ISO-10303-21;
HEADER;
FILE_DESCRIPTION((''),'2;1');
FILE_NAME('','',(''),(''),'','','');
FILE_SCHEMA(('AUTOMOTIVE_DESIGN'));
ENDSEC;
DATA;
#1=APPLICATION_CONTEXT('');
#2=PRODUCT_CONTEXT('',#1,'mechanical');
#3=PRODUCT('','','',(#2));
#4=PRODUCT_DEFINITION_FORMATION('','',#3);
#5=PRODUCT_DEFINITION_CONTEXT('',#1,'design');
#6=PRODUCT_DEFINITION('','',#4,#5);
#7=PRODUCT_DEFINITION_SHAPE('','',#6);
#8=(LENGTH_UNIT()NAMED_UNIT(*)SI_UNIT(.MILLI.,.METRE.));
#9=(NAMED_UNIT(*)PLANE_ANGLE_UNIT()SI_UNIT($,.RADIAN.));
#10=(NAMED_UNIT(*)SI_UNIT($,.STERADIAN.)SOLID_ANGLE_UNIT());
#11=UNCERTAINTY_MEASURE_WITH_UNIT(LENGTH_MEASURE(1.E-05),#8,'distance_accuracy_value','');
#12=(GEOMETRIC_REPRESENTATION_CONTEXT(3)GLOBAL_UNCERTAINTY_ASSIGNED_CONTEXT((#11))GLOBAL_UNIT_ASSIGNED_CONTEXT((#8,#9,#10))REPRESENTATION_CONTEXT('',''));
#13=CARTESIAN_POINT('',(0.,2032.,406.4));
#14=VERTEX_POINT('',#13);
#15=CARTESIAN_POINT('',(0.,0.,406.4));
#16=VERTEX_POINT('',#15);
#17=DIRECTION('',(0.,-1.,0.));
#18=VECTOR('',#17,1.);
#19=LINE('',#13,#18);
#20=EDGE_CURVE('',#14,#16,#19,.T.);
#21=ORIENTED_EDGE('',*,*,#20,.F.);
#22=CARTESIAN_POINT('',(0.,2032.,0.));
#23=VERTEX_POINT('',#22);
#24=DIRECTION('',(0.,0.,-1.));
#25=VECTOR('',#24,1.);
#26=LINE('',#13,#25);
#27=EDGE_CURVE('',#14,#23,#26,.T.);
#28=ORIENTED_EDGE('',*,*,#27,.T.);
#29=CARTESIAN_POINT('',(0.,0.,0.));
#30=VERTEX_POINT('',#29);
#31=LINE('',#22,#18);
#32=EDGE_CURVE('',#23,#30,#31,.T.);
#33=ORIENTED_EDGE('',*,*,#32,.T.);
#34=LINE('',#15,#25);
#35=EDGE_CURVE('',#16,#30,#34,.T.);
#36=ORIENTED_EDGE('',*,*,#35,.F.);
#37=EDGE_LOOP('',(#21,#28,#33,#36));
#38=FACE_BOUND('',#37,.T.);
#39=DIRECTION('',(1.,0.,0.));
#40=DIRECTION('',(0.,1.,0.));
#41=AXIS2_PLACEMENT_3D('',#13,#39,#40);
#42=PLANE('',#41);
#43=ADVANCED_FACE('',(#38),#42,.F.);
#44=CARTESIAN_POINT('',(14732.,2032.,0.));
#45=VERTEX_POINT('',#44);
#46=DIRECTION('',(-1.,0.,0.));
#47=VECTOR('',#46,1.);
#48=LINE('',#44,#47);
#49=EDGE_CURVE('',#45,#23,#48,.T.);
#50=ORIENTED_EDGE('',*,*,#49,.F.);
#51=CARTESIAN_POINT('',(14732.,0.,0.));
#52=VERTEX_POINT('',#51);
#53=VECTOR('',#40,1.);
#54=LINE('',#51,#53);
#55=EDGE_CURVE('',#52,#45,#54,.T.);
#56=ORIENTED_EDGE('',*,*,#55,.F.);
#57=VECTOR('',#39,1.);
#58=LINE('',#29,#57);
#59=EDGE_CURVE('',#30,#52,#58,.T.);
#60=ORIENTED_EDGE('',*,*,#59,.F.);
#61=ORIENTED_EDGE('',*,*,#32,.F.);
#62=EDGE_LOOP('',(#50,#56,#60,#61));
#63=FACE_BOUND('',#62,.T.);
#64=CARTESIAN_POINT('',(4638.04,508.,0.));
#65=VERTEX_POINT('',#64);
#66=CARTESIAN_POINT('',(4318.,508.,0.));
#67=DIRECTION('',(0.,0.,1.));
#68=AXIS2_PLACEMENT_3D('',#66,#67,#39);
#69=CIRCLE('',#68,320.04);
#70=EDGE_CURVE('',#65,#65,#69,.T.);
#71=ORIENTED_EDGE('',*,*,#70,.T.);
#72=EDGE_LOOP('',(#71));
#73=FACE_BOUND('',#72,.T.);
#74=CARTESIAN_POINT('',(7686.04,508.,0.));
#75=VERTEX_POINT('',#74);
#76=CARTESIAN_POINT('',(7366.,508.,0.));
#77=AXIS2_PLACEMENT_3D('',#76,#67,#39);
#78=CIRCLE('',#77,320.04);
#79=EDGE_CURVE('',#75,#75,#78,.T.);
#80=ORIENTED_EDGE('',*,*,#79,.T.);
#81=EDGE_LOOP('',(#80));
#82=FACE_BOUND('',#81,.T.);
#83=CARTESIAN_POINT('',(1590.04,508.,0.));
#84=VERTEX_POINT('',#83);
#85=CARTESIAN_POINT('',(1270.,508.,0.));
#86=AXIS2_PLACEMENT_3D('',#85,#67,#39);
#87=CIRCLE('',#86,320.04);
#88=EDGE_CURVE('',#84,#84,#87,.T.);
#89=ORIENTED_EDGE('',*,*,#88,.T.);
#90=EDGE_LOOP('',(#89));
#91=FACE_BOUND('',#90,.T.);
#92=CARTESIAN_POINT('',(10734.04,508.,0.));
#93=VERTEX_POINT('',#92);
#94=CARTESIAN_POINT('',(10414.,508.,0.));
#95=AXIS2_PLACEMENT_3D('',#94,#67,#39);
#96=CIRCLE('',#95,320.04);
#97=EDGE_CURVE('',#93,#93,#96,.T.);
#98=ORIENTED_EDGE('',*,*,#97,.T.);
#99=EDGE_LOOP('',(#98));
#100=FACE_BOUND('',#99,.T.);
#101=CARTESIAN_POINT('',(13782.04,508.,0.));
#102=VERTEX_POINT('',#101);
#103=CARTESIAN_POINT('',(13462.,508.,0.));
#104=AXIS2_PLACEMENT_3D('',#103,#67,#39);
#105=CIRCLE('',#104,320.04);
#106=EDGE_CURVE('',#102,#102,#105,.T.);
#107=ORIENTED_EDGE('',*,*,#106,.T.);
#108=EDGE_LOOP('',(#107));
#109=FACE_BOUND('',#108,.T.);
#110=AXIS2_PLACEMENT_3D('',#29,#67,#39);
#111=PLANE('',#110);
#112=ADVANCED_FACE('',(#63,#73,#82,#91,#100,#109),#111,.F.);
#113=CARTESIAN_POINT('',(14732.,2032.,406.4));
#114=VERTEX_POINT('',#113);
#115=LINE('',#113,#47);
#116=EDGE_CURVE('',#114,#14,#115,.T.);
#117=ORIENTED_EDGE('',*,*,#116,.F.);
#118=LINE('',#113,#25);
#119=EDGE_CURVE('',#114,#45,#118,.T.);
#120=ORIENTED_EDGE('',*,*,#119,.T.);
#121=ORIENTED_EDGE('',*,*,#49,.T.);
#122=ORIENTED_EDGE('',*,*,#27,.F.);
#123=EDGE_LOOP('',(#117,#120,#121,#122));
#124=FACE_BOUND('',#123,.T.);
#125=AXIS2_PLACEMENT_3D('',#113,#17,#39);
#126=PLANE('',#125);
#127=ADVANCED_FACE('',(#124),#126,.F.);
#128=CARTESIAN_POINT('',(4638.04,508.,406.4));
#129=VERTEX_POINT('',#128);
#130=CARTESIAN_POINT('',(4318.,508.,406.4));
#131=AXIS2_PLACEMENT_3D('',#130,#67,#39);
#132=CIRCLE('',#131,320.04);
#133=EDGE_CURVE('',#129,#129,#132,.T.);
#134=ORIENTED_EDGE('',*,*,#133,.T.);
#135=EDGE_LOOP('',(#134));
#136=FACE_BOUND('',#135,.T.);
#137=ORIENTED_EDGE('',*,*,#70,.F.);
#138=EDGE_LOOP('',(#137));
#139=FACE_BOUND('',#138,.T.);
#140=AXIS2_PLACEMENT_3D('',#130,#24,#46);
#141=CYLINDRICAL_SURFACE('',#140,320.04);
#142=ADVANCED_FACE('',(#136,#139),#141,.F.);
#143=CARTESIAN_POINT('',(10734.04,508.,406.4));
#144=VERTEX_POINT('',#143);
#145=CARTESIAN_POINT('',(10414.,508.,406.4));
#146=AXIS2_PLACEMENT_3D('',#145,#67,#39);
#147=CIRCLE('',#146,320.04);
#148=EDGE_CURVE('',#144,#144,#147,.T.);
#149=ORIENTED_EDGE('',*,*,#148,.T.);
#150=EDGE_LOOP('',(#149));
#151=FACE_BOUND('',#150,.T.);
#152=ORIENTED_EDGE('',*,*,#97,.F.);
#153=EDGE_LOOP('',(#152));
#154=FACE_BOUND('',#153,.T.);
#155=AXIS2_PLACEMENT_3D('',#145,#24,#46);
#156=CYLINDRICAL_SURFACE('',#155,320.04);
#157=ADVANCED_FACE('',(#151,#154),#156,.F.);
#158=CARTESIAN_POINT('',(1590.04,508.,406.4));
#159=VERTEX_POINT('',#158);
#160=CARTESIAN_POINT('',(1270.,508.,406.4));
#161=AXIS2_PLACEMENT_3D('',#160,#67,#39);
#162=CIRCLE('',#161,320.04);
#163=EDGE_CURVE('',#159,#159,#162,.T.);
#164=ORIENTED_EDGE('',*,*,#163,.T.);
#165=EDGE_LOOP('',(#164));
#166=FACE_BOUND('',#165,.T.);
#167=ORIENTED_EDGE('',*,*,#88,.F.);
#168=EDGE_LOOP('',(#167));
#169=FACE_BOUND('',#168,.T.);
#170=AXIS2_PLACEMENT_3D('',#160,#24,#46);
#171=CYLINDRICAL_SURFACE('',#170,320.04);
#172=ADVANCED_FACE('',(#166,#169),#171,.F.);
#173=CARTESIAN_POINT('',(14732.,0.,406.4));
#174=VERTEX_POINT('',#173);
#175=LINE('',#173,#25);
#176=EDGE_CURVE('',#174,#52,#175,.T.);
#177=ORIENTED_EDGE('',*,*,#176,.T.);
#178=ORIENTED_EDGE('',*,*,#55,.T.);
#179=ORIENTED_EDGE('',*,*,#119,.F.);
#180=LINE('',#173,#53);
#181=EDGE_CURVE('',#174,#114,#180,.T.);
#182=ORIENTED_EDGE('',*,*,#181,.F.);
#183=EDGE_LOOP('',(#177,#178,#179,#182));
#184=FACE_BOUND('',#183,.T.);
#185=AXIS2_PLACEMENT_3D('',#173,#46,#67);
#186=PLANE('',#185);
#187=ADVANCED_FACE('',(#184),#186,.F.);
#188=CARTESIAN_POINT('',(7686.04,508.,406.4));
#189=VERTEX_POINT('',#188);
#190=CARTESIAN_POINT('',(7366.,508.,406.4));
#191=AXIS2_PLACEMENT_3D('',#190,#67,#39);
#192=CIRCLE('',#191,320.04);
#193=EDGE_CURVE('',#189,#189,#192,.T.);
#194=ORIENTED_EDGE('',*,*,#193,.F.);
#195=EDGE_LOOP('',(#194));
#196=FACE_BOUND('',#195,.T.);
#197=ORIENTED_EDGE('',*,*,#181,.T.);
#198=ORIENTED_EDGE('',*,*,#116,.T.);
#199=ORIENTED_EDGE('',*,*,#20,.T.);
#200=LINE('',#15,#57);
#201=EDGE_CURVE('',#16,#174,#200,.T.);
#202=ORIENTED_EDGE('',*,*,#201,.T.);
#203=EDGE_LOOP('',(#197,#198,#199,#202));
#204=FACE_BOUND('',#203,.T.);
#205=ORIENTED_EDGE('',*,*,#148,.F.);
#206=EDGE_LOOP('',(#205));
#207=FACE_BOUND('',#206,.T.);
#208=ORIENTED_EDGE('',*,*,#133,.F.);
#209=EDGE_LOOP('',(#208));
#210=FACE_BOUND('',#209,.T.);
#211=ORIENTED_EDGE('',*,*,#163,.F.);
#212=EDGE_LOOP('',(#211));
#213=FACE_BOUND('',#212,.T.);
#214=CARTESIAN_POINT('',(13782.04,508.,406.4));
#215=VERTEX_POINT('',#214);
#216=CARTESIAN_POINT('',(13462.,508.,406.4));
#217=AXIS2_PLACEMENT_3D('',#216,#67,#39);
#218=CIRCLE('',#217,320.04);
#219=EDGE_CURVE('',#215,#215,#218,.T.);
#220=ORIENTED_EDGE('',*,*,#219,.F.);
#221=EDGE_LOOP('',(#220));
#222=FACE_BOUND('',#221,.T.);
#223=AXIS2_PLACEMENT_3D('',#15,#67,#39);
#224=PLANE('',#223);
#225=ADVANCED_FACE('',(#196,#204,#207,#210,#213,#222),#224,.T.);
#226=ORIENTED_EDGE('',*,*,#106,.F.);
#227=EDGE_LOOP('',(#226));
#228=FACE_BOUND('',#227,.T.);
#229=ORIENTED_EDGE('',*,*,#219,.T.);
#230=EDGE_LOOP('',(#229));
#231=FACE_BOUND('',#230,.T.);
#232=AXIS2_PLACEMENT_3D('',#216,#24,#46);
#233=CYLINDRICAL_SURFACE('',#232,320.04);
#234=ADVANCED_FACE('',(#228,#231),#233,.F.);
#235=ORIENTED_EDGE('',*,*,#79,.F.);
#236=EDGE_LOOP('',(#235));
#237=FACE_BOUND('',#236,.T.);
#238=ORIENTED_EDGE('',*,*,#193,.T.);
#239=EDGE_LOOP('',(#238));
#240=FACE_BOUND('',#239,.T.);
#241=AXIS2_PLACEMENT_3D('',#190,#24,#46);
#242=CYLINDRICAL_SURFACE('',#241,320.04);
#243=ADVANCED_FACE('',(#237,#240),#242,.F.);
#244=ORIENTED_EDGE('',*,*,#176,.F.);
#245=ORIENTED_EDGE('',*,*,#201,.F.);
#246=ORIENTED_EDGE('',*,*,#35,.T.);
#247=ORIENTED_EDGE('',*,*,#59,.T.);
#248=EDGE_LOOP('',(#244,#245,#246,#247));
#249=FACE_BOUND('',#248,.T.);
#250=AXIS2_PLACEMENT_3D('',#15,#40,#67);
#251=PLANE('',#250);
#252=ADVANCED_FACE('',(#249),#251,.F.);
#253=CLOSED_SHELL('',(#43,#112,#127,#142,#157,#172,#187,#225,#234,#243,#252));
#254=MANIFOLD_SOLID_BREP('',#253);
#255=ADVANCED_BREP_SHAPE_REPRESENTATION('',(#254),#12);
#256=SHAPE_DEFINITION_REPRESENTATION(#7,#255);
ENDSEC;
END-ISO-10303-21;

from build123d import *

# Parameters (mm, degrees)
SKETCH1_W           = 14732
SKETCH1_H           = 2032
SKETCH1_R           = 320.04
BOSS_EXTRUDE1_DEPTH = 406.4


with BuildPart() as part:
    # Sketch1 → Boss-Extrude1 (new body)
    with BuildSketch(Plane.XY):
        with Locations((7366, 1016)):
            Rectangle(SKETCH1_W, SKETCH1_H)
        with Locations((1270, 508)):
            Circle(SKETCH1_R, mode=Mode.SUBTRACT)
        with Locations((4318, 508)):
            Circle(SKETCH1_R, mode=Mode.SUBTRACT)
        with Locations((7366, 508)):
            Circle(SKETCH1_R, mode=Mode.SUBTRACT)
        with Locations((10414, 508)):
            Circle(SKETCH1_R, mode=Mode.SUBTRACT)
        with Locations((13462, 508)):
            Circle(SKETCH1_R, mode=Mode.SUBTRACT)
    extrude(amount=BOSS_EXTRUDE1_DEPTH)


solid = part.part
